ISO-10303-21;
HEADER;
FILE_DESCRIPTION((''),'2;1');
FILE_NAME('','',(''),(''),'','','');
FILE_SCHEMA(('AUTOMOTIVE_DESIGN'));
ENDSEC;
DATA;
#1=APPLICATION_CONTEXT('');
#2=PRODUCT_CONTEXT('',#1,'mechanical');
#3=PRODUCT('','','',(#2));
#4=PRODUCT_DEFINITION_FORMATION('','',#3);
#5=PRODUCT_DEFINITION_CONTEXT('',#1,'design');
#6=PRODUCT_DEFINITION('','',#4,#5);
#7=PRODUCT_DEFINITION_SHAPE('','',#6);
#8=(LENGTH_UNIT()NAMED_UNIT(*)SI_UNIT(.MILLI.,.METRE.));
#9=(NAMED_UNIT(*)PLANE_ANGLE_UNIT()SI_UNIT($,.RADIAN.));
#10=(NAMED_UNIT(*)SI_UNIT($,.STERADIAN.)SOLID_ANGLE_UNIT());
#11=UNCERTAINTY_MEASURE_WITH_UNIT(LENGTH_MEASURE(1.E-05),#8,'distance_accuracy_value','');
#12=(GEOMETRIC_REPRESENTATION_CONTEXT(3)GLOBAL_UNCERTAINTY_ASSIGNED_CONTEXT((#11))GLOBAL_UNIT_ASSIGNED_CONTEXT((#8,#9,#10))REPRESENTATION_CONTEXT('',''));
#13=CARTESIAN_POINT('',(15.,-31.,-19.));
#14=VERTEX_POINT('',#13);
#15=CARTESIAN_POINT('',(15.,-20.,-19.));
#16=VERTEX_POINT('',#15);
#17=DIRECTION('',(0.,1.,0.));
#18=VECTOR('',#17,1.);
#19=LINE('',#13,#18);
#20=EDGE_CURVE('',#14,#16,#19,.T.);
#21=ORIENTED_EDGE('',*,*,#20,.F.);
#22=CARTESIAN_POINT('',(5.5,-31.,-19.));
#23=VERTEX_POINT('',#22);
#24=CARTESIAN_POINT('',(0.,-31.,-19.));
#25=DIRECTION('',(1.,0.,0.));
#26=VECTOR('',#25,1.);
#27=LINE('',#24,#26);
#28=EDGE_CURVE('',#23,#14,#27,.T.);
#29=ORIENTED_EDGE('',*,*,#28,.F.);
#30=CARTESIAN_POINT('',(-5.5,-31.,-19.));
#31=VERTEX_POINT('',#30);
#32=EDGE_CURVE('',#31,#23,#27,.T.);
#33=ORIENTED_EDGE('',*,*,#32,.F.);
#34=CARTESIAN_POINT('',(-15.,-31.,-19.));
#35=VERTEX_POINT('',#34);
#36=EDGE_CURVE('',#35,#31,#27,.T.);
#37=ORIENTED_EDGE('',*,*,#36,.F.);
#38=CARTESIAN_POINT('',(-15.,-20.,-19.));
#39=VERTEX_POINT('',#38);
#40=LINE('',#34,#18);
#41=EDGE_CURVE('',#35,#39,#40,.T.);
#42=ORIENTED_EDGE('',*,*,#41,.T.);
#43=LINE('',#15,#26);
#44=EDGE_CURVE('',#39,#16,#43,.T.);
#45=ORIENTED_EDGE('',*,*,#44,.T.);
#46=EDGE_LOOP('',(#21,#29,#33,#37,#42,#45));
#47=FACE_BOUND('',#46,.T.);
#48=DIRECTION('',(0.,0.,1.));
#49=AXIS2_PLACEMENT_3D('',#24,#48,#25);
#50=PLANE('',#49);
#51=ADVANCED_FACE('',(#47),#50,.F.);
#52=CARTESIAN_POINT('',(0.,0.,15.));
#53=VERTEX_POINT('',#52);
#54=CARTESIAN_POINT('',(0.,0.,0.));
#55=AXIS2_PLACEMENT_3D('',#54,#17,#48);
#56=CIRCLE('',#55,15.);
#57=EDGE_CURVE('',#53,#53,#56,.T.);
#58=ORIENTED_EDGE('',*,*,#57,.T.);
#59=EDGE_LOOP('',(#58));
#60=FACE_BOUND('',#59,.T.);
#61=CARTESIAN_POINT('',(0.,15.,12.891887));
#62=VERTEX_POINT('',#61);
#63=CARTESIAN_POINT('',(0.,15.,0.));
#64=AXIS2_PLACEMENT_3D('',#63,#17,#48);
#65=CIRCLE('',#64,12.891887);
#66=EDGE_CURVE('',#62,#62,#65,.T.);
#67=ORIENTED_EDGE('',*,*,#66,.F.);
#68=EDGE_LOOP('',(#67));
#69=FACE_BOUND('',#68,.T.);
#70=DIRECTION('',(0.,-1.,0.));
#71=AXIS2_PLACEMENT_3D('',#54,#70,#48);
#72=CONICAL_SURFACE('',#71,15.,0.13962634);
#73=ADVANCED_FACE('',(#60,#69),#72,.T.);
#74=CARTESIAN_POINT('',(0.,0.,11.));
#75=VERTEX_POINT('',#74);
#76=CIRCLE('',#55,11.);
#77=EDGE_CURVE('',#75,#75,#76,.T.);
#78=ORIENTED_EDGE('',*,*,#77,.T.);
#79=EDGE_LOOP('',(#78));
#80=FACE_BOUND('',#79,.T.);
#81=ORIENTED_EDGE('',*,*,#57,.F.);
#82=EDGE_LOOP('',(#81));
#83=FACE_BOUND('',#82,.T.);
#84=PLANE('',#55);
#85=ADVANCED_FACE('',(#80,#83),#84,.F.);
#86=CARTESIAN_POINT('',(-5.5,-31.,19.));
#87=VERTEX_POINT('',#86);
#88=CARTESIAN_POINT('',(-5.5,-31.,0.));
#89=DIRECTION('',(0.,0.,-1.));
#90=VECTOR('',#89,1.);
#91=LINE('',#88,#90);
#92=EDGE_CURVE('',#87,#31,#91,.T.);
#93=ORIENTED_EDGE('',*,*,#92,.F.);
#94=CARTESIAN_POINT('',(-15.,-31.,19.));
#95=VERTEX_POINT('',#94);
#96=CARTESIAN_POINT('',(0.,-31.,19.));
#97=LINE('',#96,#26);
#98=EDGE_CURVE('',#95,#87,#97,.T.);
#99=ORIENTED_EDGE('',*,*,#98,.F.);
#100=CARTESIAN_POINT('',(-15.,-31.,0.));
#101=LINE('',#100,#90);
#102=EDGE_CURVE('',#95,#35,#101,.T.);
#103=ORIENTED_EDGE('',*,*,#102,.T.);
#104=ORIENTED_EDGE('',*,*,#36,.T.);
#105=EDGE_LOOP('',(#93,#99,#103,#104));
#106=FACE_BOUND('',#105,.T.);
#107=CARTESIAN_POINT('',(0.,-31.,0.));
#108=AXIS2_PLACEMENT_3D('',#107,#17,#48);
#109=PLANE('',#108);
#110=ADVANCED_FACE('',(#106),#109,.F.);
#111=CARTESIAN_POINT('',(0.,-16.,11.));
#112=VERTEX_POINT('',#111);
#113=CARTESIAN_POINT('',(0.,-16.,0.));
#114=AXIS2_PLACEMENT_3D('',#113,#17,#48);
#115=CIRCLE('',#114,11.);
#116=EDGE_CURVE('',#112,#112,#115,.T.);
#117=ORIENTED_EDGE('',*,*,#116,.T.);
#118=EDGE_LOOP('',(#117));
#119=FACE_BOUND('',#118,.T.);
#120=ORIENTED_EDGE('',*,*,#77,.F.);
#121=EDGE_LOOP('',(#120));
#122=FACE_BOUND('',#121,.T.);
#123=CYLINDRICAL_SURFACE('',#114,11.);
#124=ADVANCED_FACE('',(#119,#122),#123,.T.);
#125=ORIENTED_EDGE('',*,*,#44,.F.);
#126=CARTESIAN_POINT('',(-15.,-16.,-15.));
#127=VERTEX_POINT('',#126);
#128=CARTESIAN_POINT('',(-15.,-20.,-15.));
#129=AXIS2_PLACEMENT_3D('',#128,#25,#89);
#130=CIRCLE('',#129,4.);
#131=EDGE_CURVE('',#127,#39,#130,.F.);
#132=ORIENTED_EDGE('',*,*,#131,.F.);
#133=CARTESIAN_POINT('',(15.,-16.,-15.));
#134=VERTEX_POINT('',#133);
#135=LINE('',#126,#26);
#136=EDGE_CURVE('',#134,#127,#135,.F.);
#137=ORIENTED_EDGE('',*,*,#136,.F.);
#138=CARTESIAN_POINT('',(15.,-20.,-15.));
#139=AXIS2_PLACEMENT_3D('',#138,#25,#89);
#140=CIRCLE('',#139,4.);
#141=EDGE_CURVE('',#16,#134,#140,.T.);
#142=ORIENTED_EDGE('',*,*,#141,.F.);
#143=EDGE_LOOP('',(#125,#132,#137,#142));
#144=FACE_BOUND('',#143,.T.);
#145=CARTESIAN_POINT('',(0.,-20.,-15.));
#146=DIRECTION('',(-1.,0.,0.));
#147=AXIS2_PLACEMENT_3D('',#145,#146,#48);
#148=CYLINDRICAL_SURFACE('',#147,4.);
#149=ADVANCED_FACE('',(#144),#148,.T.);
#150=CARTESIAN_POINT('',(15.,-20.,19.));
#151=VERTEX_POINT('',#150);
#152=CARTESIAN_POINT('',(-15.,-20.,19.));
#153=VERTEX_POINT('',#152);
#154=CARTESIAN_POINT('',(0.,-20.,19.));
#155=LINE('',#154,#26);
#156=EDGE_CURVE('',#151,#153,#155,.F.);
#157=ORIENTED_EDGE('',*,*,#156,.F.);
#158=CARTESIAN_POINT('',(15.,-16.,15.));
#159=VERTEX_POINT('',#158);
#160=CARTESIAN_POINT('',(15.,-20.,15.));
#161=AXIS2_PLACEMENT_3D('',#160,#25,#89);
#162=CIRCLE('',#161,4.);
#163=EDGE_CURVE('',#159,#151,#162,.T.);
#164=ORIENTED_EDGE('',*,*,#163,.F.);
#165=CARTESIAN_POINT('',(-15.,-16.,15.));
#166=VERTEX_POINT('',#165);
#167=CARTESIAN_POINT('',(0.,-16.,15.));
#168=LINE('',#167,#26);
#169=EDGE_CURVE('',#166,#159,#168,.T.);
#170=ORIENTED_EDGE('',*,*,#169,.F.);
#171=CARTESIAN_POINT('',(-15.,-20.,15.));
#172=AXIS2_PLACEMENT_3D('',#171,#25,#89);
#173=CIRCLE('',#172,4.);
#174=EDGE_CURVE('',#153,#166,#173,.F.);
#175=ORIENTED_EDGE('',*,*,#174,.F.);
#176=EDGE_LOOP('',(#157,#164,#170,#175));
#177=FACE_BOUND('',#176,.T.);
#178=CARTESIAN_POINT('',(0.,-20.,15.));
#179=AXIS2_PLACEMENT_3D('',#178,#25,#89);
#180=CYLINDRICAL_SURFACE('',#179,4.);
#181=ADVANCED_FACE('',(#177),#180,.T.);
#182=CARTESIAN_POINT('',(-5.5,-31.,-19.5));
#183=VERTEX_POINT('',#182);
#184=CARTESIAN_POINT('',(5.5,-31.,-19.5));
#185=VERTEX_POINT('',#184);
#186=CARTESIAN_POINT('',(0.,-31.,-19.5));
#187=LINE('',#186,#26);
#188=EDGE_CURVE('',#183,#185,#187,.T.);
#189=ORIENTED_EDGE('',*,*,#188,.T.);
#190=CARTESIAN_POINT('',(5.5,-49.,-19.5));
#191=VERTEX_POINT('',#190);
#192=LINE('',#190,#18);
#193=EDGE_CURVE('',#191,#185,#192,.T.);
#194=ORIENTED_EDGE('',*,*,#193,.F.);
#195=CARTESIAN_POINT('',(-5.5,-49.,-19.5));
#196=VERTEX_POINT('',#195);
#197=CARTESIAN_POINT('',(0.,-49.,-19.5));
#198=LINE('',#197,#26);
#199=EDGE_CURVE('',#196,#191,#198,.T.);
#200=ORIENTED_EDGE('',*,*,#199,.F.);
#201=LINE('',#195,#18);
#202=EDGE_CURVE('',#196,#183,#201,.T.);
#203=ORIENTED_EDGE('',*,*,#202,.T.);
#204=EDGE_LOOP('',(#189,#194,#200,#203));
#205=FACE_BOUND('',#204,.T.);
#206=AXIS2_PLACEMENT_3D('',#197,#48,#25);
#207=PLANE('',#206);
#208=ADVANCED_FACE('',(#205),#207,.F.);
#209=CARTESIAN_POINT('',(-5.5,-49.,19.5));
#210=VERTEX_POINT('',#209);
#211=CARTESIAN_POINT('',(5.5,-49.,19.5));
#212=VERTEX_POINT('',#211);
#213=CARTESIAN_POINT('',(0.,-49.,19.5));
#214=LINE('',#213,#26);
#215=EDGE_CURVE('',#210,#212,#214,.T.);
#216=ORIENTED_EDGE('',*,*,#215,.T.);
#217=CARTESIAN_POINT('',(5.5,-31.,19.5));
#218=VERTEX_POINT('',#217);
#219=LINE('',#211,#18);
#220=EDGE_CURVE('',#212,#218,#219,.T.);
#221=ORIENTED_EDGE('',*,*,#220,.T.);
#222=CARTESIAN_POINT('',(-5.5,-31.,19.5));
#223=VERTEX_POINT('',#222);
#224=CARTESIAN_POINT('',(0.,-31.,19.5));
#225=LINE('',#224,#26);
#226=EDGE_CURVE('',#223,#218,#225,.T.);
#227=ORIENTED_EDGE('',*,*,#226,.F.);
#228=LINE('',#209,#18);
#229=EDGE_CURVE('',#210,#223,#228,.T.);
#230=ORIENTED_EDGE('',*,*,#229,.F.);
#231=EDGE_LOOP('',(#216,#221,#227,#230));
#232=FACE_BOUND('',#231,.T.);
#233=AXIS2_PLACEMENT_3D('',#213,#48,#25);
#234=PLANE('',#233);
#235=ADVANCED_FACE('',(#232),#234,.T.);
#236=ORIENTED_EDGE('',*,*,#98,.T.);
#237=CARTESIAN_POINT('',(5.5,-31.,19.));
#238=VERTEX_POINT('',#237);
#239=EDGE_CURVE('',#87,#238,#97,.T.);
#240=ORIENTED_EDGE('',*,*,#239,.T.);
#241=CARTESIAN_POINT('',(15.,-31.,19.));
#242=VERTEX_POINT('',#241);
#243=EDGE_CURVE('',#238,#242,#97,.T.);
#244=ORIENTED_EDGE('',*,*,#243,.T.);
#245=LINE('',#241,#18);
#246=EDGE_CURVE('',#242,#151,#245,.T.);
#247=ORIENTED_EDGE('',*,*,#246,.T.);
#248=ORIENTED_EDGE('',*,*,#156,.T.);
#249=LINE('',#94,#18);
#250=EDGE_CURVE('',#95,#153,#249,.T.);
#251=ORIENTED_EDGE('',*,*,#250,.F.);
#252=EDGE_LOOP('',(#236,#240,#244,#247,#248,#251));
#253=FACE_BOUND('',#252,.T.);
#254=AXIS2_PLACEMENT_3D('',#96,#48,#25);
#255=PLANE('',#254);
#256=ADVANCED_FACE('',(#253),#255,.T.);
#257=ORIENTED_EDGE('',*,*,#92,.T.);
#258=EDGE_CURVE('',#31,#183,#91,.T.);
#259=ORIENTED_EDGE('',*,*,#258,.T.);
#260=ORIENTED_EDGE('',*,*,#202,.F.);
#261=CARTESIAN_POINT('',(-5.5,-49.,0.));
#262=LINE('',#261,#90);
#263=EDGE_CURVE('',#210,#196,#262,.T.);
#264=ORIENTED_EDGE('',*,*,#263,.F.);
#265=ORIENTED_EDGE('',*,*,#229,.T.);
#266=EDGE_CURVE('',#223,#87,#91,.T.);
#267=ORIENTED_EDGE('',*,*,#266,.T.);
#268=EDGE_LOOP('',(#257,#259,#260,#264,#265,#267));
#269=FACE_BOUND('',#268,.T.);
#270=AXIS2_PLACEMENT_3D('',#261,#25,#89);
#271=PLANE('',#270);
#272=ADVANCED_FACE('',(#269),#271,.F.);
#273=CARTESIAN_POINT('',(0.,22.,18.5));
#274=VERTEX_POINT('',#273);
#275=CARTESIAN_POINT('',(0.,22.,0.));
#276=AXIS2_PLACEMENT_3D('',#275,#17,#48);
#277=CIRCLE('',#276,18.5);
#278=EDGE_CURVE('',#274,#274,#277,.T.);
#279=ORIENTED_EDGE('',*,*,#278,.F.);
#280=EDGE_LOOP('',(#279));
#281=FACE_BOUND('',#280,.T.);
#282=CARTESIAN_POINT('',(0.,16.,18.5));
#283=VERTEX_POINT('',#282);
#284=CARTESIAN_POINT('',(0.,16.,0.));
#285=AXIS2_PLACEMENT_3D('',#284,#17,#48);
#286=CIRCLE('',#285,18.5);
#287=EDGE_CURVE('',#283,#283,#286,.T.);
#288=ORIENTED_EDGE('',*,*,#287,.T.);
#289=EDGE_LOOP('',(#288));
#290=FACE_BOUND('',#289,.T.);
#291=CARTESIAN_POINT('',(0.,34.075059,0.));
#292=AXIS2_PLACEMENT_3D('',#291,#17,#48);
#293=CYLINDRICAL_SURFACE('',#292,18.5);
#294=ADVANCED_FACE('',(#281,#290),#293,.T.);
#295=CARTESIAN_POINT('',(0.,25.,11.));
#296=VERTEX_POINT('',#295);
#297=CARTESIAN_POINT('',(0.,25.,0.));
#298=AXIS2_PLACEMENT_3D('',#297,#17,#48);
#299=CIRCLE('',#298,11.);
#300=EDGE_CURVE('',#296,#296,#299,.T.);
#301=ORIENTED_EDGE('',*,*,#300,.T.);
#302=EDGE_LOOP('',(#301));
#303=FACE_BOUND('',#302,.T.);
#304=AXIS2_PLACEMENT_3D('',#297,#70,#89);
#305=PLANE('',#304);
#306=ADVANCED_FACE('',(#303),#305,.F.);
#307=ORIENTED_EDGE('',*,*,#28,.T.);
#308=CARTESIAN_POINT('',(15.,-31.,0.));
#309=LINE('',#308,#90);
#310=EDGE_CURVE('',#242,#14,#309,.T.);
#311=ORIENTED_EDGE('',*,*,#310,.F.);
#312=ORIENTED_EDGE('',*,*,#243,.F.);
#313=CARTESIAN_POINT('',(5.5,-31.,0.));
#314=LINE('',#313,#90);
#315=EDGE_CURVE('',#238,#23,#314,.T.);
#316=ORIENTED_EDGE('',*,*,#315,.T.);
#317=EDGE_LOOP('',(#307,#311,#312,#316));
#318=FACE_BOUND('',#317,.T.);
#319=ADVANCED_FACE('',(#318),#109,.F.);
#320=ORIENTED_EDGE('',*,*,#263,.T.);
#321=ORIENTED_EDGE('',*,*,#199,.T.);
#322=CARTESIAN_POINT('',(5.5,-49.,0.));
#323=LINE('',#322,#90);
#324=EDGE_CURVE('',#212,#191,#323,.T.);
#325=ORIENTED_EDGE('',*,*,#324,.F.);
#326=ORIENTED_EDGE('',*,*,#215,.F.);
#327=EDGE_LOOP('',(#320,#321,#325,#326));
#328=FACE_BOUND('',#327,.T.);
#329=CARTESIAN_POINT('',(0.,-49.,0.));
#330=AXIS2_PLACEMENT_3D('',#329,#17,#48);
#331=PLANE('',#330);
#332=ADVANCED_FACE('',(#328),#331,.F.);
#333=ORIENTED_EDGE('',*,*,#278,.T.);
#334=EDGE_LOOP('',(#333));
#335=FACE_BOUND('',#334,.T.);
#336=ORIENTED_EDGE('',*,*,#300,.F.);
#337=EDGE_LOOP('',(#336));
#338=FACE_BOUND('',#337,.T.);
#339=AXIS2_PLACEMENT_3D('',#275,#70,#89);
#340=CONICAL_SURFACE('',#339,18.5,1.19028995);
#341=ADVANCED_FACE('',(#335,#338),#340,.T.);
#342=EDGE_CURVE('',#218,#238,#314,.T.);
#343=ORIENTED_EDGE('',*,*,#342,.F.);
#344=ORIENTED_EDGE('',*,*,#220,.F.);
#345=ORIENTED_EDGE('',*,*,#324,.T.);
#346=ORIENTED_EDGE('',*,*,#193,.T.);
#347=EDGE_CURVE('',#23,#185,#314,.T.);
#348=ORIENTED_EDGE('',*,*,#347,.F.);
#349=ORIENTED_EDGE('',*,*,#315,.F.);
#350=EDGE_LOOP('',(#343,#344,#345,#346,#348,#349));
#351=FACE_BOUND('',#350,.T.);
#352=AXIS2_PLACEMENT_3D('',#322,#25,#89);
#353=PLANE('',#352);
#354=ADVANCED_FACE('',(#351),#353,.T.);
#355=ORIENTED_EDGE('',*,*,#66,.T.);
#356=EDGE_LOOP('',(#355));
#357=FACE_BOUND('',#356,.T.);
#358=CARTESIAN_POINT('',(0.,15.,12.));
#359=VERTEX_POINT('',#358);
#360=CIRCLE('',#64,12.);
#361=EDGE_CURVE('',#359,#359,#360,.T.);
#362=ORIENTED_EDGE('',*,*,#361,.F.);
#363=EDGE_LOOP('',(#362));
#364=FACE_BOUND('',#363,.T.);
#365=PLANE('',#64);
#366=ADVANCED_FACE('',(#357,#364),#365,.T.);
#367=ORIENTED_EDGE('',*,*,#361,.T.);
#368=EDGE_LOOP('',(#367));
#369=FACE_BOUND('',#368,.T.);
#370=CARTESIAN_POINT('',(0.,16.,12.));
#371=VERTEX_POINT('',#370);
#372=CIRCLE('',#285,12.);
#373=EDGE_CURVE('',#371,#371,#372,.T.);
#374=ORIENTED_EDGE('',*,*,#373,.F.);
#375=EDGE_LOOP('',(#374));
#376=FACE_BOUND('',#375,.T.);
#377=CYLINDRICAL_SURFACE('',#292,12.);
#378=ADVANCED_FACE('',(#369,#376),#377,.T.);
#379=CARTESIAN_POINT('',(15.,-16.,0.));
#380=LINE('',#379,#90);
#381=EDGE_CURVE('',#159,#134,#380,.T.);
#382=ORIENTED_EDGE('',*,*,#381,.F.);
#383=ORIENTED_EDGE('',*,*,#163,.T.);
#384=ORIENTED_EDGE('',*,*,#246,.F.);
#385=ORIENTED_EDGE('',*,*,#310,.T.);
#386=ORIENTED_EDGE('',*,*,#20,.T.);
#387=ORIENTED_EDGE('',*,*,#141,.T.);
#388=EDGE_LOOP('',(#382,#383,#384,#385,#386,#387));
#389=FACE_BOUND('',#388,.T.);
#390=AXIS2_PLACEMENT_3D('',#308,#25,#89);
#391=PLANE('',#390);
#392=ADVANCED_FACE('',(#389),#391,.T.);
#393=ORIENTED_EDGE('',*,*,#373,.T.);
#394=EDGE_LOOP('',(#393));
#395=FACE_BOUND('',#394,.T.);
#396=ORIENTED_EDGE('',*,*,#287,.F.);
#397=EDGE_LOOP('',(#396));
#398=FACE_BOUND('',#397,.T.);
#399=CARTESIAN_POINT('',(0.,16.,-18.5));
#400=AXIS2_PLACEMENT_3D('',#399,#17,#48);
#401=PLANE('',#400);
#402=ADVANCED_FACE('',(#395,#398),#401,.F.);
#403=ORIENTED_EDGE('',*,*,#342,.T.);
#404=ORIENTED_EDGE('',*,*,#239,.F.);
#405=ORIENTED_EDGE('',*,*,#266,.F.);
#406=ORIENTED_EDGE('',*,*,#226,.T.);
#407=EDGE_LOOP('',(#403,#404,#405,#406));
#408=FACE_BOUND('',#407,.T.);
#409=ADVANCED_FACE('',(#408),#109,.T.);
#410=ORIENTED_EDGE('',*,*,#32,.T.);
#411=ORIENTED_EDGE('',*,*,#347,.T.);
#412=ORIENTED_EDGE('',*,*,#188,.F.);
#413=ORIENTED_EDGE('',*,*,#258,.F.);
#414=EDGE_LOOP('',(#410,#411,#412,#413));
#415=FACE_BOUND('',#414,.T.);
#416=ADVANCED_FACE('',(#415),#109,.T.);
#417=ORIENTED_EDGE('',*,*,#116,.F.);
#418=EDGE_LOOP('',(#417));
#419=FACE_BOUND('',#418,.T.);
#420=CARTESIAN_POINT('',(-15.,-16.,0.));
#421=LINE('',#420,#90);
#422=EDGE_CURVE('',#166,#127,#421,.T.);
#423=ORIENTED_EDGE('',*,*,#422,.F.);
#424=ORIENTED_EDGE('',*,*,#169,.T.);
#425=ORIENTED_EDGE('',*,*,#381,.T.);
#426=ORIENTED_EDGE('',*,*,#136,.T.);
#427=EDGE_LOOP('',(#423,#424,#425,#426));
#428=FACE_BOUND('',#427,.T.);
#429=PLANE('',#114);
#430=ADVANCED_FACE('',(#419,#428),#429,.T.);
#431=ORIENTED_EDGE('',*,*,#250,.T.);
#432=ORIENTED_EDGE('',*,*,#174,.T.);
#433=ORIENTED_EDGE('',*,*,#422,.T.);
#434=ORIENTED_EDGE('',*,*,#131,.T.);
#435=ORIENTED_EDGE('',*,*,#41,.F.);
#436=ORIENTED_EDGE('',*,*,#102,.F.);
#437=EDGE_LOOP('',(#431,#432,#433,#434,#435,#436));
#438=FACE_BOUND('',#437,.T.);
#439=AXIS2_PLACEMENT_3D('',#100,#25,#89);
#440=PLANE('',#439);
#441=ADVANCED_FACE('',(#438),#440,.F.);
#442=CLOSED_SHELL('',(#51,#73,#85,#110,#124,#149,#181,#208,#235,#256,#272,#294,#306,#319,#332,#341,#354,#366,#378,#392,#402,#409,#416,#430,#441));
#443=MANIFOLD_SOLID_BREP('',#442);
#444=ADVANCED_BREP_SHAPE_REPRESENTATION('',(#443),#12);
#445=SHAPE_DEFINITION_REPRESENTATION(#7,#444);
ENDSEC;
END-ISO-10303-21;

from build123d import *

# Parameters (mm, degrees)
SZKIC1_R                    = 15
DODANIE_WYCI_GNI_CIE1_DEPTH = 15
DODANIE_WYCI_GNI_CIE1_TAPER = 8
SZKIC1_3_R                  = 11
DODANIE_WYCI_GNI_CIE2_DEPTH = 16
DODANIE_WYCI_GNI_CIE3_START = -16
SZKIC1_4_W                  = 30
SZKIC1_4_H                  = 38
DODANIE_WYCI_GNI_CIE3_DEPTH = 15
DODANIE_WYCI_GNI_CIE4_START = -31
SZKIC1_5_W                  = 11
SZKIC1_5_H                  = 39
DODANIE_WYCI_GNI_CIE4_DEPTH = 18
ZAOKR_GLENIE1_R             = 4


with BuildPart() as part:
    # Szkic1 → Dodanie-wyci_gni_cie1 (new body)
    with BuildSketch(Plane(origin=(0, 0, 0), x_dir=(1, 0, 0), z_dir=(0, 1, 0))):
        Circle(SZKIC1_R)
    extrude(amount=DODANIE_WYCI_GNI_CIE1_DEPTH, taper=DODANIE_WYCI_GNI_CIE1_TAPER)

    # Szkic1_3 → Dodanie-wyci_gni_cie2 (add)
    with BuildSketch(Plane(origin=(0, 0, 0), x_dir=(1, 0, 0), z_dir=(0, 1, 0))):
        Circle(SZKIC1_3_R)
    extrude(amount=-DODANIE_WYCI_GNI_CIE2_DEPTH)

    # Szkic1_4 → Dodanie-wyci_gni_cie3 (add)
    with BuildSketch(Plane(origin=(0, 0, 0), x_dir=(1, 0, 0), z_dir=(0, 1, 0)).offset(DODANIE_WYCI_GNI_CIE3_START)):
        Rectangle(SZKIC1_4_W, SZKIC1_4_H)
    extrude(amount=-DODANIE_WYCI_GNI_CIE3_DEPTH)

    # Szkic1_5 → Dodanie-wyci_gni_cie4 (add)
    with BuildSketch(Plane(origin=(0, 0, 0), x_dir=(1, 0, 0), z_dir=(0, 1, 0)).offset(DODANIE_WYCI_GNI_CIE4_START)):
        Rectangle(SZKIC1_5_W, SZKIC1_5_H)
    extrude(amount=-DODANIE_WYCI_GNI_CIE4_DEPTH)

    # Szkic2 → Obr_t1 (revolve)
    with BuildSketch(Plane(origin=(0, 0, 0), x_dir=(0, 0, -1), z_dir=(1, 0, 0))):
        Polygon((0, 15), (0, 25), (11, 25), (18.5, 22), (18.5, 16), (12, 16), (12, 15), align=None)
    revolve(axis=Axis((0, 34.075059211, 0), (0, -1, 0)))

    # Zaokr_glenie1
    zaokr_glenie1_edges = [part.edges().sort_by_distance(p)[0] for p in [
        (0, -16, -19),
        (0, -16, 19),
    ]]
    fillet(zaokr_glenie1_edges, radius=ZAOKR_GLENIE1_R)


solid = part.part
